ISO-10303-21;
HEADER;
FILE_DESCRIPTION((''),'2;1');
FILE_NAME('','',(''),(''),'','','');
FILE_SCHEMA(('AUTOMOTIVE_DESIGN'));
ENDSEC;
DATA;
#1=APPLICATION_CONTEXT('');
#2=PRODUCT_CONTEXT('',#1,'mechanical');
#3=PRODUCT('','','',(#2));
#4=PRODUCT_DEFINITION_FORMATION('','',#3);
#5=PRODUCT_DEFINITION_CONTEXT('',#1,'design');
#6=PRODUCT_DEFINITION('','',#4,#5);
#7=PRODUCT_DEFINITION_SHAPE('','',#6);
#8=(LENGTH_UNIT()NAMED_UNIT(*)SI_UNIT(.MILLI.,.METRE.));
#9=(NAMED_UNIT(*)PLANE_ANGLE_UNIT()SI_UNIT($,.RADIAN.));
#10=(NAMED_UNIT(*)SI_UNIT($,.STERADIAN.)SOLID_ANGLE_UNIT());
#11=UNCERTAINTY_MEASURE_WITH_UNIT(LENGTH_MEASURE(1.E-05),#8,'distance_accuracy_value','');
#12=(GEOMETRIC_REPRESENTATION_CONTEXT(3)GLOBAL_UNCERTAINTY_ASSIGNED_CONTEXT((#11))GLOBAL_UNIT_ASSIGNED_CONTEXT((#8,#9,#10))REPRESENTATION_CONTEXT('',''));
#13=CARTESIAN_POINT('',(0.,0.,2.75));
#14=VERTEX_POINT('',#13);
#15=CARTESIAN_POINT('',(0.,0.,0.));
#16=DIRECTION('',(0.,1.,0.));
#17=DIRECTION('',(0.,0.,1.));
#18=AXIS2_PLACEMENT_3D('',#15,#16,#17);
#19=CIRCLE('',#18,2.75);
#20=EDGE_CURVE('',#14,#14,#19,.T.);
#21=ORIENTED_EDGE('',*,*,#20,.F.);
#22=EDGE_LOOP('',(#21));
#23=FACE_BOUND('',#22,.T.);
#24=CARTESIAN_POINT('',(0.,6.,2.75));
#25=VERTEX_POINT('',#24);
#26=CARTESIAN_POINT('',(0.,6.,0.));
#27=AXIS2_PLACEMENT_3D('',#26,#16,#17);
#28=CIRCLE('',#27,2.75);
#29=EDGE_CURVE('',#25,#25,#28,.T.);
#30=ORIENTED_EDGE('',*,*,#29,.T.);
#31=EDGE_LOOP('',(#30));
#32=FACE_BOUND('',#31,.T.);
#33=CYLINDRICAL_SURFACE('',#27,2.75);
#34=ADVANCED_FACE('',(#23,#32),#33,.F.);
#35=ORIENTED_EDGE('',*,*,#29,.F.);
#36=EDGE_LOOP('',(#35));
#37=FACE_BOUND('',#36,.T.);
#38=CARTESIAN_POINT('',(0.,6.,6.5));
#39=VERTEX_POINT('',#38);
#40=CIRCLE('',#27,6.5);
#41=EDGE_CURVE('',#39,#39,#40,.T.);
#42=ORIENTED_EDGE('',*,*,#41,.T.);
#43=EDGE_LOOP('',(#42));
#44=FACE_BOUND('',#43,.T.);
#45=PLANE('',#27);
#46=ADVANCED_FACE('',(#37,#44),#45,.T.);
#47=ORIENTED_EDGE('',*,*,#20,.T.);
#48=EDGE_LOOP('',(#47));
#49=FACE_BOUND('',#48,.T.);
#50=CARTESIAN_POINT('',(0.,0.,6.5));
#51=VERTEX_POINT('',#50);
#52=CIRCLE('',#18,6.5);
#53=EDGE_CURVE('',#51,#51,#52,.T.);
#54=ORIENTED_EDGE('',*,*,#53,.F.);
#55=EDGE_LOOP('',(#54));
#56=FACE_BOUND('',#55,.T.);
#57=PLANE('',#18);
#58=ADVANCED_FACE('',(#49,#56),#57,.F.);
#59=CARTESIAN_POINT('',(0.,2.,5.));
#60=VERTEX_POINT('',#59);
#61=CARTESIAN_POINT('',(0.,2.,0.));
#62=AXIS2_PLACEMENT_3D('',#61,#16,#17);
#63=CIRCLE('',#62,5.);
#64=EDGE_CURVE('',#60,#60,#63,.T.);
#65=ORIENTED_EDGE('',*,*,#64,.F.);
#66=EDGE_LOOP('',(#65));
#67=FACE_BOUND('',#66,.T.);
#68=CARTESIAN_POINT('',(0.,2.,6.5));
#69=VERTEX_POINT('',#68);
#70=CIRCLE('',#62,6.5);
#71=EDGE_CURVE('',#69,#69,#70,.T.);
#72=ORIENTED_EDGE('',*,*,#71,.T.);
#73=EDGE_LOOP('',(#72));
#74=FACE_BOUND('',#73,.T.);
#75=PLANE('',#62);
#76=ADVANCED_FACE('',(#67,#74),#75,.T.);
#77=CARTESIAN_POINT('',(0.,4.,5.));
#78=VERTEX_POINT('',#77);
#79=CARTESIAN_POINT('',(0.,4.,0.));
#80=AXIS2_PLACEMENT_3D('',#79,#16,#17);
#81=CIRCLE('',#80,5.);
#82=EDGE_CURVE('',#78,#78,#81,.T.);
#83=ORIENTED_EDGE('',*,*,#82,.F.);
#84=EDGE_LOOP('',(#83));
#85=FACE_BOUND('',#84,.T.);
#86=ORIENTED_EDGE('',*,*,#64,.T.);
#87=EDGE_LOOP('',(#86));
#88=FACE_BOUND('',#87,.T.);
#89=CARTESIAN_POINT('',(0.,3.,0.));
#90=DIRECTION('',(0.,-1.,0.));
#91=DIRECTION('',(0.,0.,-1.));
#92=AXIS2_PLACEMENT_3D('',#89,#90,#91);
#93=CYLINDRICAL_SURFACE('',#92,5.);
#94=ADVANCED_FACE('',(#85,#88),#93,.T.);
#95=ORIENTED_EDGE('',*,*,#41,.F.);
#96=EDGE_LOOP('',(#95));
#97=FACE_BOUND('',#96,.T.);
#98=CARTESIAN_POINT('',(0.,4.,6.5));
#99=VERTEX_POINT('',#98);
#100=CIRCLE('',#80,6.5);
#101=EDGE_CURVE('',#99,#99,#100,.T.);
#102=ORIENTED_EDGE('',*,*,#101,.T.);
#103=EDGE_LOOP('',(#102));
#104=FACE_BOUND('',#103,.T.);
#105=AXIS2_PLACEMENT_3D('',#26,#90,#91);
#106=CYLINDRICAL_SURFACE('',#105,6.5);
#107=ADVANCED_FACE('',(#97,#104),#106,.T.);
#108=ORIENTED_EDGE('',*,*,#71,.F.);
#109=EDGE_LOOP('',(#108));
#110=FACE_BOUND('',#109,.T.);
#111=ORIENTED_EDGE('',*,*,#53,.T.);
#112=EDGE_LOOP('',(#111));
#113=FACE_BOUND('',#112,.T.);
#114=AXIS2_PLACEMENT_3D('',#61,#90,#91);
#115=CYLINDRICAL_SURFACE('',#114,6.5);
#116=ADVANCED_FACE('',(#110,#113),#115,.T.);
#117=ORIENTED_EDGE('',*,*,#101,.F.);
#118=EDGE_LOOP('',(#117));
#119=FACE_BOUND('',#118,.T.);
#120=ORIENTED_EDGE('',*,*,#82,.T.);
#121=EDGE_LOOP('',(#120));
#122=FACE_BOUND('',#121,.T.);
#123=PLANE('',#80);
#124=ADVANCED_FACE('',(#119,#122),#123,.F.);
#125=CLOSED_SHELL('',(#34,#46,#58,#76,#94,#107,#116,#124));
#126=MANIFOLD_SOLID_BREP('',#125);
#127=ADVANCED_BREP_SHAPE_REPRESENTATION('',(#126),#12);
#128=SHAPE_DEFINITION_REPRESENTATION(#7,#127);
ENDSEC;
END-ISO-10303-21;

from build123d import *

# Parameters (mm, degrees)
SKIZZE1_R                       = 6.5
AUFSATZ_LINEAR_AUSTRAGEN1_DEPTH = 2
SKIZZE2_R                       = 5
AUFSATZ_LINEAR_AUSTRAGEN2_DEPTH = 1
SKIZZE3_R                       = 6.5
AUFSATZ_LINEAR_AUSTRAGEN3_DEPTH = 2
DURCHGANGSLOCH_F_R_M51_D        = 5.5


with BuildPart() as part:
    # Skizze1 → Aufsatz-Linear austragen1 (new body)
    with BuildSketch(Plane(origin=(0, 0, 0), x_dir=(1, 0, 0), z_dir=(0, 1, 0))):
        with Locations(Location((0, 0, 0), (0, 0, 270))):
            Circle(SKIZZE1_R)
    extrude(amount=AUFSATZ_LINEAR_AUSTRAGEN1_DEPTH)

    # Skizze2 → Aufsatz-Linear austragen2 (add)
    with BuildSketch(Plane(origin=(0, 2, 0), x_dir=(1, 0, 0), z_dir=(0, 1, 0))):
        with Locations(Location((0, 0, 0), (0, 0, 270))):
            Circle(SKIZZE2_R)
    aufsatz_linear_austragen2 = extrude(amount=AUFSATZ_LINEAR_AUSTRAGEN2_DEPTH)

    # Spiegeln3: Aufsatz-Linear austragen2 across plane
    add(aufsatz_linear_austragen2.mirror(Plane.ZX.offset(3)))

    # Skizze3 → Aufsatz-Linear austragen3 (add)
    with BuildSketch(Plane(origin=(0, 4, 0), x_dir=(1, 0, 0), z_dir=(0, 1, 0))):
        with Locations(Location((0, 0, 0), (0, 0, 270))):
            Circle(SKIZZE3_R)
    extrude(amount=AUFSATZ_LINEAR_AUSTRAGEN3_DEPTH)

    # Durchgangsloch für M51 (through all)
    with Locations(Plane(origin=(0, 6, 0), x_dir=(1, 0, 0), z_dir=(0, 1, 0))):
        with Locations((0, 0)):
            Hole(DURCHGANGSLOCH_F_R_M51_D / 2)


solid = part.part
